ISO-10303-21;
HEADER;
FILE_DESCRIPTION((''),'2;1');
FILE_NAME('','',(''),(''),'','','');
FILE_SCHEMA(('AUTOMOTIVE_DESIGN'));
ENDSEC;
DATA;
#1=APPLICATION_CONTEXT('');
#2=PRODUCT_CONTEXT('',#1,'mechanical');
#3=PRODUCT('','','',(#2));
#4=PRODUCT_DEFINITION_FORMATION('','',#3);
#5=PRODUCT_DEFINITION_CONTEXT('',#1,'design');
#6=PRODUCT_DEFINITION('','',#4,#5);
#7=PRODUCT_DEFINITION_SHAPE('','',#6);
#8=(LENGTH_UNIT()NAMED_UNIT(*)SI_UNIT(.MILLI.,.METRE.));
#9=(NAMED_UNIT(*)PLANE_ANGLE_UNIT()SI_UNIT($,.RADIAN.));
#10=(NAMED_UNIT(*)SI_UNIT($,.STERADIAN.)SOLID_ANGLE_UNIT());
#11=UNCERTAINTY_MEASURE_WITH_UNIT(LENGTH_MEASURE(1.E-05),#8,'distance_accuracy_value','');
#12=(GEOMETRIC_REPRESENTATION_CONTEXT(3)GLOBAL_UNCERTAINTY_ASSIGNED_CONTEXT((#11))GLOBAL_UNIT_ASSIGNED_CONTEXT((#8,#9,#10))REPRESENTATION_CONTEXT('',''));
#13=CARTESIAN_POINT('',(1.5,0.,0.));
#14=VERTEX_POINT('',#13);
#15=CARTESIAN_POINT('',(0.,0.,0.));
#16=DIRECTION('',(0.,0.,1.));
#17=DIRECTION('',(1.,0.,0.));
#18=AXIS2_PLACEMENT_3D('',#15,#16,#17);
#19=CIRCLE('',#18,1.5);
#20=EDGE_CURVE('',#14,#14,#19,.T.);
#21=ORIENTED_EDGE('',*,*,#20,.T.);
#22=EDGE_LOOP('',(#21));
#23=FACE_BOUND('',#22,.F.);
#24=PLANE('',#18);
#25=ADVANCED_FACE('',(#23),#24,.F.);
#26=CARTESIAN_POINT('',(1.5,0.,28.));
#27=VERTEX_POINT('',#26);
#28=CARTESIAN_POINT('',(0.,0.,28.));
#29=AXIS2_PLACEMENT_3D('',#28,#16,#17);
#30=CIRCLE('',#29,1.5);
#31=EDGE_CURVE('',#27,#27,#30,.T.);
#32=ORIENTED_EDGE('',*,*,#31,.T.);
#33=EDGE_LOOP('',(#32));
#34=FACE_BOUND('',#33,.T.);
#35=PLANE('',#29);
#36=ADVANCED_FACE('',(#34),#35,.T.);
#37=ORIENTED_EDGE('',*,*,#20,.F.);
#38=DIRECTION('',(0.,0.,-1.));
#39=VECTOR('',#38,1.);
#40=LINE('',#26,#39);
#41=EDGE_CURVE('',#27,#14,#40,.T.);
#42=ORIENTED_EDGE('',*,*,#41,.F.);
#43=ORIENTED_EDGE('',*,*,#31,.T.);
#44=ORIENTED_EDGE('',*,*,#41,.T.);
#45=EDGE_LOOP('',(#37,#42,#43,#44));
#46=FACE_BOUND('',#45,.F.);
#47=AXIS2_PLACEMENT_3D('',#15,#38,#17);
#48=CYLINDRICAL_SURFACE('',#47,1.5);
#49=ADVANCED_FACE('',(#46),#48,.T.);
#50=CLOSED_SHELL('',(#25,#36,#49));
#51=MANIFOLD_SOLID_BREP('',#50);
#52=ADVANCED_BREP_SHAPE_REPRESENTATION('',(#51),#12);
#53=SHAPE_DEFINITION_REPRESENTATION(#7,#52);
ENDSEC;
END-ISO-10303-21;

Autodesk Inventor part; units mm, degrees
ref_plane "YZ Plane" through (0, 0, 0) normal (1, 0, 0) x (0, 1, 0)
ref_plane "XZ Plane" through (0, 0, 0) normal (0, 1, 0) x (-1, 0, 0)
ref_plane "XY Plane" through (0, 0, 0) normal (0, 0, 1) x (1, 0, 0)
sketch "スケッチ1" plane through (0, 0, 0) normal (0, 0, 1) x (1, 0, 0)
  circle A0 centre (0, 0) radius 1.5
  dimension "d0" = 3
extrude "押し出し1" add sketch "スケッチ1" along normal blind 20
sketch "スケッチ2" plane through (0, 0, 20) normal (0, 0, 1) x (1, 0, 0)
  point P0 (0, 0)
sketch "スケッチ3" plane through (0, 0, 20) normal (0, 0, 1) x (1, 0, 0)
  circle A0 centre (0, 0) radius 1.5
  dimension "d3" = 3
extrude "押し出し2" add sketch "スケッチ3" along normal blind 8
thread "ねじ2" size "M3x0.5" class "6g" standard "ANSI Metric M Profile" length 7
properties part number "シリンダー棒"
